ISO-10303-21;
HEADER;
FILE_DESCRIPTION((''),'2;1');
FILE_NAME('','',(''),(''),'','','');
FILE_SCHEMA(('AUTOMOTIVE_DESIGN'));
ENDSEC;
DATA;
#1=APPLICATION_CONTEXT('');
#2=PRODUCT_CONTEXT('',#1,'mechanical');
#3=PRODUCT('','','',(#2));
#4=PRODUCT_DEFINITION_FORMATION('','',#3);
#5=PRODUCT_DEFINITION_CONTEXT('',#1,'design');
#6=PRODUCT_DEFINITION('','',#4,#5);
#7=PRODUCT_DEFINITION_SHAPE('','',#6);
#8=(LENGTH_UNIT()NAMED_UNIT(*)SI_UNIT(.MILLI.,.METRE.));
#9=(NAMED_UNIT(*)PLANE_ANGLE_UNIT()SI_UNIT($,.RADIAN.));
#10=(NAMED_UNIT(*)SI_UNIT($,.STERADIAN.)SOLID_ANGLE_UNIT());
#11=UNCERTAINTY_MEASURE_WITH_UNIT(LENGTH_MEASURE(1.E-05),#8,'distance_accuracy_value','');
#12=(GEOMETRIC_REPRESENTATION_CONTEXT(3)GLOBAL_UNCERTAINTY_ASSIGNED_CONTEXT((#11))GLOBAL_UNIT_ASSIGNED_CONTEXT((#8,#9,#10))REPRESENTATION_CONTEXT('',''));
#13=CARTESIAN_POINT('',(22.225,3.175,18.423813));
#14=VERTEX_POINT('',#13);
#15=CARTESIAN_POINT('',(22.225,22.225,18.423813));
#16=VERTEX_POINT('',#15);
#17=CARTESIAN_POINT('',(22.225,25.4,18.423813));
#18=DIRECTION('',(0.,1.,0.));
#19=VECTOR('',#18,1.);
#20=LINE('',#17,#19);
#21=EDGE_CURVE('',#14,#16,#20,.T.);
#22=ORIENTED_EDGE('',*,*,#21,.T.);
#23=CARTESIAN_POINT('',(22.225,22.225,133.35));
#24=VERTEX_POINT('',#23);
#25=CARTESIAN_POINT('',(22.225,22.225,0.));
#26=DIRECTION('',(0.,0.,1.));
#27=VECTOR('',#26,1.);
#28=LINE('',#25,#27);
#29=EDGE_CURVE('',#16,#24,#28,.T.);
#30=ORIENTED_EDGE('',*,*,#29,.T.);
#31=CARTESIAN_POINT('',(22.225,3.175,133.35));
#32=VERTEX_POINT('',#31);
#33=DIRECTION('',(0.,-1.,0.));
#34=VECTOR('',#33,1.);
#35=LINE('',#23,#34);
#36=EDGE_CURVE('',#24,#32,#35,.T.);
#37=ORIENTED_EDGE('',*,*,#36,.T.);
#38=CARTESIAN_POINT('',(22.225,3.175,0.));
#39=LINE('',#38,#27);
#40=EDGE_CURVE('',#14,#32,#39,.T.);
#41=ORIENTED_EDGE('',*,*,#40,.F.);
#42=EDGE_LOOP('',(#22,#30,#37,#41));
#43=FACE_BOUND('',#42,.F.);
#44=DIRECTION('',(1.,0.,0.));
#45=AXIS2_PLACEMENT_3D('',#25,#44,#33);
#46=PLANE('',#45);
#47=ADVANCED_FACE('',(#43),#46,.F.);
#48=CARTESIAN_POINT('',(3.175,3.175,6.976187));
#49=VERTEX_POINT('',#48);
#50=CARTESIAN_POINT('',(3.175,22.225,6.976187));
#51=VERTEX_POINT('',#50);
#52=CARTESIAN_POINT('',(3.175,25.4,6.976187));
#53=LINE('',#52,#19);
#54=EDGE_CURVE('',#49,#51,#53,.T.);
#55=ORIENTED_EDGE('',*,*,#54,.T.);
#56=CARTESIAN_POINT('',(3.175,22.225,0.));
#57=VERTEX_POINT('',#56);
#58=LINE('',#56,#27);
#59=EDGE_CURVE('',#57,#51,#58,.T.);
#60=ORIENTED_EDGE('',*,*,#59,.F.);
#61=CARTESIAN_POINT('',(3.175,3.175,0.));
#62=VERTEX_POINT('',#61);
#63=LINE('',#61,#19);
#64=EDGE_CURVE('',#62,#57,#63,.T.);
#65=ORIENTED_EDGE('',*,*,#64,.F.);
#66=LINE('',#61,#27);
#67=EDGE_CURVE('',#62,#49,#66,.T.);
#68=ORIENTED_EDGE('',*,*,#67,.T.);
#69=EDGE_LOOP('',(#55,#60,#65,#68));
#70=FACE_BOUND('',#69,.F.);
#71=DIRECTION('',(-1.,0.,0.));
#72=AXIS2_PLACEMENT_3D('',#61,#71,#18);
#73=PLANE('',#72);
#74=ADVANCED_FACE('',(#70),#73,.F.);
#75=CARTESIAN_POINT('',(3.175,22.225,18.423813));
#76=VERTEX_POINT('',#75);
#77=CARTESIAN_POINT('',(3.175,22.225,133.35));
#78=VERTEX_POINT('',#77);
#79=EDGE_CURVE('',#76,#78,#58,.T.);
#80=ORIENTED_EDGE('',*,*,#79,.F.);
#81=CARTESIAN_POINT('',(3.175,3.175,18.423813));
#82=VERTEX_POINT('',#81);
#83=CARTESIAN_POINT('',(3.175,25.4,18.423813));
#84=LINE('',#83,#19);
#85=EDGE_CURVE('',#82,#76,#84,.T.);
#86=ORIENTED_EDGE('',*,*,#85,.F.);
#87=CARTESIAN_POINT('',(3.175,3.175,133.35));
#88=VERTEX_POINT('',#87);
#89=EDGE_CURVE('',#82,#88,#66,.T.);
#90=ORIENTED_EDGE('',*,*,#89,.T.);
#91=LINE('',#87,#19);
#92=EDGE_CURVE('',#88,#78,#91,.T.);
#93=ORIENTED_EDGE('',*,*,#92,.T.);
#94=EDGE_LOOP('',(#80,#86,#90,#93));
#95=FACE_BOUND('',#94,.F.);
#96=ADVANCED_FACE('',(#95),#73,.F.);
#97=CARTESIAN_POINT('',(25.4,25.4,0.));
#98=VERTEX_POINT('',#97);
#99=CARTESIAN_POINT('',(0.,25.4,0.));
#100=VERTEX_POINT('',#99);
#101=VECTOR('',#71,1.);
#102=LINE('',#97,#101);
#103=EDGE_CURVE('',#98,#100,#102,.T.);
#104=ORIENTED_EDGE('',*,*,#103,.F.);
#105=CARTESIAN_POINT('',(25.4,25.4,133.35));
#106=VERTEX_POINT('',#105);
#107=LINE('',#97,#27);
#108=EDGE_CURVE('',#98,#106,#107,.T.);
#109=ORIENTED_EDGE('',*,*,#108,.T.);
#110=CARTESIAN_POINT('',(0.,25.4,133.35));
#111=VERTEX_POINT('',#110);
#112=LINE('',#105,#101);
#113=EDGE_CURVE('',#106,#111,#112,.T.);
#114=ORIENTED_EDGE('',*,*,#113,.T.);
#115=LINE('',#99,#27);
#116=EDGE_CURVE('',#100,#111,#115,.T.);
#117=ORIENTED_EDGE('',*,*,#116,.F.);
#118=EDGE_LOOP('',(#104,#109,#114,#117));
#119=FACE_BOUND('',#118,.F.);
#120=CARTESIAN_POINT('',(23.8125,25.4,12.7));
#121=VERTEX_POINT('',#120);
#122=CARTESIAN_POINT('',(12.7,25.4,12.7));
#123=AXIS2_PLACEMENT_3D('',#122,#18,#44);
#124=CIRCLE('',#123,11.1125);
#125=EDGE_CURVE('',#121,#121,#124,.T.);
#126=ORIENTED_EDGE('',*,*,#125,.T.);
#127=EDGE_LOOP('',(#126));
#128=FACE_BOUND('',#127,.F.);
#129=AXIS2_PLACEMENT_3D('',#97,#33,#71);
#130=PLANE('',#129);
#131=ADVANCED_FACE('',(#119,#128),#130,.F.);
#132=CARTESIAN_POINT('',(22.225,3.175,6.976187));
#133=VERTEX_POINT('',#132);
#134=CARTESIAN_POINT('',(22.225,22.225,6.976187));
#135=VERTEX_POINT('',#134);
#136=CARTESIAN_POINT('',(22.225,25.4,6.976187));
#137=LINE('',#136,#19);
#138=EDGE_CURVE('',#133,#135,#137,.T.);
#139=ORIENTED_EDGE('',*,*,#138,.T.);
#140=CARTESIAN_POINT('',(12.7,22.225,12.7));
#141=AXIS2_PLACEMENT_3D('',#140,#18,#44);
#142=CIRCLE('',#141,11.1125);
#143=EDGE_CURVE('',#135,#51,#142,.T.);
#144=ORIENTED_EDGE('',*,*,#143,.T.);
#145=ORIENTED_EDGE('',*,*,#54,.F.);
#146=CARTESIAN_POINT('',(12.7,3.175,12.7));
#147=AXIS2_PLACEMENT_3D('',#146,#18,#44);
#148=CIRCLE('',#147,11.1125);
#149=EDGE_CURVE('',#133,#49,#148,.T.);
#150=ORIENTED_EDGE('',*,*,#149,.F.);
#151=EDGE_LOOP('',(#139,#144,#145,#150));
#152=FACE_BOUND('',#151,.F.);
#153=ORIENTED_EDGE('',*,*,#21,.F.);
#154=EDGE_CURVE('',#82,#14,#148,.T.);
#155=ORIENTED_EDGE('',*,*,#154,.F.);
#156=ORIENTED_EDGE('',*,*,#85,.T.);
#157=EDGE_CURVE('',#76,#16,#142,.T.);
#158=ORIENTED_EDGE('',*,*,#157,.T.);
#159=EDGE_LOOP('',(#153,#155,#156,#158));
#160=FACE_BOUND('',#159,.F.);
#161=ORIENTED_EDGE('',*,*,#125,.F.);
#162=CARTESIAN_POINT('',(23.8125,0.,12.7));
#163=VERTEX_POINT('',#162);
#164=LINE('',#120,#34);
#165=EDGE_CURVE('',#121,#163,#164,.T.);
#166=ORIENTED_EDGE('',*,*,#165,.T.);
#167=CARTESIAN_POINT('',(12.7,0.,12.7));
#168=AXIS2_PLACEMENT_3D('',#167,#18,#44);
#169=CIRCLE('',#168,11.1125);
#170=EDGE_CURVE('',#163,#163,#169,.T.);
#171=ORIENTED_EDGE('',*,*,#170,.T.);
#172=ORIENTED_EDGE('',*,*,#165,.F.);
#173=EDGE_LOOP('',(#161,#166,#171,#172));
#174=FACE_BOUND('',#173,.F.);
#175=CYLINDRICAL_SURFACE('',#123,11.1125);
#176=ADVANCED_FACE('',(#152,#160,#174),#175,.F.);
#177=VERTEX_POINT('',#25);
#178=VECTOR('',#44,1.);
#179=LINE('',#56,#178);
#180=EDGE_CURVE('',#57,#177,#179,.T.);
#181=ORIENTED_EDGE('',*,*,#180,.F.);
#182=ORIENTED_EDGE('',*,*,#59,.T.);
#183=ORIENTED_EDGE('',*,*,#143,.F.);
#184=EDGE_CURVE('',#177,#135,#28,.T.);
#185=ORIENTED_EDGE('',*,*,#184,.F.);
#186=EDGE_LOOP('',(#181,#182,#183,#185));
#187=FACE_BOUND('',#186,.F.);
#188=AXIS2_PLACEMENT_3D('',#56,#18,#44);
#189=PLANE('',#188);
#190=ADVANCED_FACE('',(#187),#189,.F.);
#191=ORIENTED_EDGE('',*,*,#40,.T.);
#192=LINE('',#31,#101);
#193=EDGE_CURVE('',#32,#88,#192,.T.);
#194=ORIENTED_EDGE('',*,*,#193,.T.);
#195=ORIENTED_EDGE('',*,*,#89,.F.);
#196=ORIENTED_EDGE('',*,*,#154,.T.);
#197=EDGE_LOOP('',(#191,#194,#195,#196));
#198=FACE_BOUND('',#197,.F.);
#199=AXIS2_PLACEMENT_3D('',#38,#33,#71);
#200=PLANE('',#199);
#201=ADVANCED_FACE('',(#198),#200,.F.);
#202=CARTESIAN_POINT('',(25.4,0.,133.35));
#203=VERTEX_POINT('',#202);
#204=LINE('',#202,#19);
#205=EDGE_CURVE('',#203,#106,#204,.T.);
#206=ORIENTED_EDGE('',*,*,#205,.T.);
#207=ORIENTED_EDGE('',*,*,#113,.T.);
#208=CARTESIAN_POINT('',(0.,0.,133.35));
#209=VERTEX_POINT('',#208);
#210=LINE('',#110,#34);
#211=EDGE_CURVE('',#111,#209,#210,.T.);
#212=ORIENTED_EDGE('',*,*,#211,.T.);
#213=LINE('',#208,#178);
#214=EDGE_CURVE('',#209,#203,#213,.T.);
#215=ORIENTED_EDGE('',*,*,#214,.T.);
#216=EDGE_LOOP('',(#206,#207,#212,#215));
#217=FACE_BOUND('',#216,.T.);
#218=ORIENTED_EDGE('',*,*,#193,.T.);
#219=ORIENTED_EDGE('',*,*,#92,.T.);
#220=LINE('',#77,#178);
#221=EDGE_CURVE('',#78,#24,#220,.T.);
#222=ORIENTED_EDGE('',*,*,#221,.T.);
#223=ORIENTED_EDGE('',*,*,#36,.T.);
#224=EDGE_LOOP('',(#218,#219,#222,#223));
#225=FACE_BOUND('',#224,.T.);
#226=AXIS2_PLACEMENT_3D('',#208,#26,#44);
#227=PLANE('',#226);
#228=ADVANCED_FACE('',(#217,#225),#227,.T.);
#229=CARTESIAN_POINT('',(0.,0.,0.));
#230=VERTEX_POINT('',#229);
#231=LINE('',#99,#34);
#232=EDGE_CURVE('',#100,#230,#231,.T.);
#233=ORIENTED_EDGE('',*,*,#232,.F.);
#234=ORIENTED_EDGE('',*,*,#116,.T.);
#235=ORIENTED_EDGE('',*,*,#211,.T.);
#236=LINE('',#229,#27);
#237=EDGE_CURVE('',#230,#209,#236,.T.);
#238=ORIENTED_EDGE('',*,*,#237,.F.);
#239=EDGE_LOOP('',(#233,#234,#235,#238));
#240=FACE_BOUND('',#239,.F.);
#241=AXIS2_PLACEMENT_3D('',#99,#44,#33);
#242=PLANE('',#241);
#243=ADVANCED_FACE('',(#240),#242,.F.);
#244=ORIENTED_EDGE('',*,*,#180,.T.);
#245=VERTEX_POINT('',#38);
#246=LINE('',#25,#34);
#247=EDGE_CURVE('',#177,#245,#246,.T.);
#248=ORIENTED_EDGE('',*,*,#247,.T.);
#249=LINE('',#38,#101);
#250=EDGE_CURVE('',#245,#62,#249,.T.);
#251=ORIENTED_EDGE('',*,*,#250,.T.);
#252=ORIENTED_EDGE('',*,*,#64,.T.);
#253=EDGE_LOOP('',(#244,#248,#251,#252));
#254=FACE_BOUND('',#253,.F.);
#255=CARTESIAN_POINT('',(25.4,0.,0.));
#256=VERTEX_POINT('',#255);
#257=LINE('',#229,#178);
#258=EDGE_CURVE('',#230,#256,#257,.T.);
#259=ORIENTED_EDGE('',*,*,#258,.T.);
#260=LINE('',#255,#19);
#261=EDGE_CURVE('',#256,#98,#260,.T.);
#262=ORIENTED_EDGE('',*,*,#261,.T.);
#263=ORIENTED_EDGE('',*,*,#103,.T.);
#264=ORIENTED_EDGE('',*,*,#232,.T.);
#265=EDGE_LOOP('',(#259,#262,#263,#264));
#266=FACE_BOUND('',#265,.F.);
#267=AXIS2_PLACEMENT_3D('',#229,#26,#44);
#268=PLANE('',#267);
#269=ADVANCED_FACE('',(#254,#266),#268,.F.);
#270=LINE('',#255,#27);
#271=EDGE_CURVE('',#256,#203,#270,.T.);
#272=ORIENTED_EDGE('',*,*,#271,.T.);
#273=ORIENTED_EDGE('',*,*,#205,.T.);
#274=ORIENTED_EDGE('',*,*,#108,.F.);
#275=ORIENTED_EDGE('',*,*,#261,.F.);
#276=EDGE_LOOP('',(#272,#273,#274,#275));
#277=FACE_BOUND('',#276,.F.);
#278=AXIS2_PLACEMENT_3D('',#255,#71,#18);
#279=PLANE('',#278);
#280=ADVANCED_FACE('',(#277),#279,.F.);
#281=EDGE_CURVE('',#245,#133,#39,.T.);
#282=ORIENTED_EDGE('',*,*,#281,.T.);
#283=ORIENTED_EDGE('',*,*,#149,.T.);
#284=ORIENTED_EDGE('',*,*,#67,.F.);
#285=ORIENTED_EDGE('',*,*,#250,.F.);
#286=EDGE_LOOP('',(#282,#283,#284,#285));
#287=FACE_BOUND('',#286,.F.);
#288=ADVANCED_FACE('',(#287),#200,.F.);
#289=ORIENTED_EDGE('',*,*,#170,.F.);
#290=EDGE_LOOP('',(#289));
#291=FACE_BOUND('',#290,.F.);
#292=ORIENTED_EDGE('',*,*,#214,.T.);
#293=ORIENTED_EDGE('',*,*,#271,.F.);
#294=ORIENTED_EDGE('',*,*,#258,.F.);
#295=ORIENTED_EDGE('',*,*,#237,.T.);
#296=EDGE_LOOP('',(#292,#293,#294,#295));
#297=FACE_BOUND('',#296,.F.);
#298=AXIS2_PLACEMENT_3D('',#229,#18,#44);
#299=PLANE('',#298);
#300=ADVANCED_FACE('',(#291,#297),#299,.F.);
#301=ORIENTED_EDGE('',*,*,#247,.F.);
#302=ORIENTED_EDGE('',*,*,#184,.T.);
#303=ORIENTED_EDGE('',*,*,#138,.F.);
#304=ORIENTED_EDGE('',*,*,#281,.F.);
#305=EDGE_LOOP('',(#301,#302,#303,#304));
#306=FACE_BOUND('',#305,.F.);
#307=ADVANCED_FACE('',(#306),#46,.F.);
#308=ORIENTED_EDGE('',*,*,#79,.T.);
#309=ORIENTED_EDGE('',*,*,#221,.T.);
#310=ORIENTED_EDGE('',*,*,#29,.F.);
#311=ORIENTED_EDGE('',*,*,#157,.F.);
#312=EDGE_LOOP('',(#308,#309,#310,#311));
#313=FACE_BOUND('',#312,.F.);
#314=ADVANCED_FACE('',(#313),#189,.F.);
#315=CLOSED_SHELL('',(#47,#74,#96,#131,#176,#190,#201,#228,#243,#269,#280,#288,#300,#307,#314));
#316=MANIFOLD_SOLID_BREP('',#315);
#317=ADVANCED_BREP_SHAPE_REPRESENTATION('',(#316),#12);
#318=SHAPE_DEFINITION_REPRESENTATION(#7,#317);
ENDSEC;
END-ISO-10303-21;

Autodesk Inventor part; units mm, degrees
ref_plane "YZ Plane" through (0, 0, 0) normal (1, 0, 0) x (0, 1, 0)
ref_plane "XZ Plane" through (0, 0, 0) normal (0, 1, 0) x (-1, 0, 0)
ref_plane "XY Plane" through (0, 0, 0) normal (0, 0, 1) x (1, 0, 0)
sketch "Sketch1" plane through (0, 0, 0) normal (0, 0, 1) x (1, 0, 0)
  line L0 (0, 0) -> (25.4, 0)
  line L1 (25.4, 0) -> (25.4, 25.4)
  line L2 (25.4, 25.4) -> (0, 25.4)
  line L3 (0, 25.4) -> (0, 0)
  line L4 (22.225, 3.175) -> (3.175, 3.175)
  line L5 (3.175, 3.175) -> (3.175, 22.225)
  line L6 (3.175, 22.225) -> (22.225, 22.225)
  line L7 (22.225, 22.225) -> (22.225, 3.175)
  dimension "d0" = 25.4
  dimension "d1" = 25.4
  dimension "d2" = 3.175
extrude "Extrusion1" add sketch "Sketch1" along normal blind 133.35
sketch "Sketch2" plane through (0, 25.4, 0) normal (0, 1, 0) x (1, 0, 0)
  circle A0 centre (12.7, -12.7) radius 11.1125
  line L0 (25.4, 0) -> (0, 0) projected
  line L1 (25.4, 0) -> (25.4, -133.35) projected
  dimension "d5" = 12.7
  dimension "d6" = 12.7
  dimension "d7" = 22.225
extrude "Extrusion2" cut sketch "Sketch2" against normal blind 81.3197
properties part number "C Spring load"
